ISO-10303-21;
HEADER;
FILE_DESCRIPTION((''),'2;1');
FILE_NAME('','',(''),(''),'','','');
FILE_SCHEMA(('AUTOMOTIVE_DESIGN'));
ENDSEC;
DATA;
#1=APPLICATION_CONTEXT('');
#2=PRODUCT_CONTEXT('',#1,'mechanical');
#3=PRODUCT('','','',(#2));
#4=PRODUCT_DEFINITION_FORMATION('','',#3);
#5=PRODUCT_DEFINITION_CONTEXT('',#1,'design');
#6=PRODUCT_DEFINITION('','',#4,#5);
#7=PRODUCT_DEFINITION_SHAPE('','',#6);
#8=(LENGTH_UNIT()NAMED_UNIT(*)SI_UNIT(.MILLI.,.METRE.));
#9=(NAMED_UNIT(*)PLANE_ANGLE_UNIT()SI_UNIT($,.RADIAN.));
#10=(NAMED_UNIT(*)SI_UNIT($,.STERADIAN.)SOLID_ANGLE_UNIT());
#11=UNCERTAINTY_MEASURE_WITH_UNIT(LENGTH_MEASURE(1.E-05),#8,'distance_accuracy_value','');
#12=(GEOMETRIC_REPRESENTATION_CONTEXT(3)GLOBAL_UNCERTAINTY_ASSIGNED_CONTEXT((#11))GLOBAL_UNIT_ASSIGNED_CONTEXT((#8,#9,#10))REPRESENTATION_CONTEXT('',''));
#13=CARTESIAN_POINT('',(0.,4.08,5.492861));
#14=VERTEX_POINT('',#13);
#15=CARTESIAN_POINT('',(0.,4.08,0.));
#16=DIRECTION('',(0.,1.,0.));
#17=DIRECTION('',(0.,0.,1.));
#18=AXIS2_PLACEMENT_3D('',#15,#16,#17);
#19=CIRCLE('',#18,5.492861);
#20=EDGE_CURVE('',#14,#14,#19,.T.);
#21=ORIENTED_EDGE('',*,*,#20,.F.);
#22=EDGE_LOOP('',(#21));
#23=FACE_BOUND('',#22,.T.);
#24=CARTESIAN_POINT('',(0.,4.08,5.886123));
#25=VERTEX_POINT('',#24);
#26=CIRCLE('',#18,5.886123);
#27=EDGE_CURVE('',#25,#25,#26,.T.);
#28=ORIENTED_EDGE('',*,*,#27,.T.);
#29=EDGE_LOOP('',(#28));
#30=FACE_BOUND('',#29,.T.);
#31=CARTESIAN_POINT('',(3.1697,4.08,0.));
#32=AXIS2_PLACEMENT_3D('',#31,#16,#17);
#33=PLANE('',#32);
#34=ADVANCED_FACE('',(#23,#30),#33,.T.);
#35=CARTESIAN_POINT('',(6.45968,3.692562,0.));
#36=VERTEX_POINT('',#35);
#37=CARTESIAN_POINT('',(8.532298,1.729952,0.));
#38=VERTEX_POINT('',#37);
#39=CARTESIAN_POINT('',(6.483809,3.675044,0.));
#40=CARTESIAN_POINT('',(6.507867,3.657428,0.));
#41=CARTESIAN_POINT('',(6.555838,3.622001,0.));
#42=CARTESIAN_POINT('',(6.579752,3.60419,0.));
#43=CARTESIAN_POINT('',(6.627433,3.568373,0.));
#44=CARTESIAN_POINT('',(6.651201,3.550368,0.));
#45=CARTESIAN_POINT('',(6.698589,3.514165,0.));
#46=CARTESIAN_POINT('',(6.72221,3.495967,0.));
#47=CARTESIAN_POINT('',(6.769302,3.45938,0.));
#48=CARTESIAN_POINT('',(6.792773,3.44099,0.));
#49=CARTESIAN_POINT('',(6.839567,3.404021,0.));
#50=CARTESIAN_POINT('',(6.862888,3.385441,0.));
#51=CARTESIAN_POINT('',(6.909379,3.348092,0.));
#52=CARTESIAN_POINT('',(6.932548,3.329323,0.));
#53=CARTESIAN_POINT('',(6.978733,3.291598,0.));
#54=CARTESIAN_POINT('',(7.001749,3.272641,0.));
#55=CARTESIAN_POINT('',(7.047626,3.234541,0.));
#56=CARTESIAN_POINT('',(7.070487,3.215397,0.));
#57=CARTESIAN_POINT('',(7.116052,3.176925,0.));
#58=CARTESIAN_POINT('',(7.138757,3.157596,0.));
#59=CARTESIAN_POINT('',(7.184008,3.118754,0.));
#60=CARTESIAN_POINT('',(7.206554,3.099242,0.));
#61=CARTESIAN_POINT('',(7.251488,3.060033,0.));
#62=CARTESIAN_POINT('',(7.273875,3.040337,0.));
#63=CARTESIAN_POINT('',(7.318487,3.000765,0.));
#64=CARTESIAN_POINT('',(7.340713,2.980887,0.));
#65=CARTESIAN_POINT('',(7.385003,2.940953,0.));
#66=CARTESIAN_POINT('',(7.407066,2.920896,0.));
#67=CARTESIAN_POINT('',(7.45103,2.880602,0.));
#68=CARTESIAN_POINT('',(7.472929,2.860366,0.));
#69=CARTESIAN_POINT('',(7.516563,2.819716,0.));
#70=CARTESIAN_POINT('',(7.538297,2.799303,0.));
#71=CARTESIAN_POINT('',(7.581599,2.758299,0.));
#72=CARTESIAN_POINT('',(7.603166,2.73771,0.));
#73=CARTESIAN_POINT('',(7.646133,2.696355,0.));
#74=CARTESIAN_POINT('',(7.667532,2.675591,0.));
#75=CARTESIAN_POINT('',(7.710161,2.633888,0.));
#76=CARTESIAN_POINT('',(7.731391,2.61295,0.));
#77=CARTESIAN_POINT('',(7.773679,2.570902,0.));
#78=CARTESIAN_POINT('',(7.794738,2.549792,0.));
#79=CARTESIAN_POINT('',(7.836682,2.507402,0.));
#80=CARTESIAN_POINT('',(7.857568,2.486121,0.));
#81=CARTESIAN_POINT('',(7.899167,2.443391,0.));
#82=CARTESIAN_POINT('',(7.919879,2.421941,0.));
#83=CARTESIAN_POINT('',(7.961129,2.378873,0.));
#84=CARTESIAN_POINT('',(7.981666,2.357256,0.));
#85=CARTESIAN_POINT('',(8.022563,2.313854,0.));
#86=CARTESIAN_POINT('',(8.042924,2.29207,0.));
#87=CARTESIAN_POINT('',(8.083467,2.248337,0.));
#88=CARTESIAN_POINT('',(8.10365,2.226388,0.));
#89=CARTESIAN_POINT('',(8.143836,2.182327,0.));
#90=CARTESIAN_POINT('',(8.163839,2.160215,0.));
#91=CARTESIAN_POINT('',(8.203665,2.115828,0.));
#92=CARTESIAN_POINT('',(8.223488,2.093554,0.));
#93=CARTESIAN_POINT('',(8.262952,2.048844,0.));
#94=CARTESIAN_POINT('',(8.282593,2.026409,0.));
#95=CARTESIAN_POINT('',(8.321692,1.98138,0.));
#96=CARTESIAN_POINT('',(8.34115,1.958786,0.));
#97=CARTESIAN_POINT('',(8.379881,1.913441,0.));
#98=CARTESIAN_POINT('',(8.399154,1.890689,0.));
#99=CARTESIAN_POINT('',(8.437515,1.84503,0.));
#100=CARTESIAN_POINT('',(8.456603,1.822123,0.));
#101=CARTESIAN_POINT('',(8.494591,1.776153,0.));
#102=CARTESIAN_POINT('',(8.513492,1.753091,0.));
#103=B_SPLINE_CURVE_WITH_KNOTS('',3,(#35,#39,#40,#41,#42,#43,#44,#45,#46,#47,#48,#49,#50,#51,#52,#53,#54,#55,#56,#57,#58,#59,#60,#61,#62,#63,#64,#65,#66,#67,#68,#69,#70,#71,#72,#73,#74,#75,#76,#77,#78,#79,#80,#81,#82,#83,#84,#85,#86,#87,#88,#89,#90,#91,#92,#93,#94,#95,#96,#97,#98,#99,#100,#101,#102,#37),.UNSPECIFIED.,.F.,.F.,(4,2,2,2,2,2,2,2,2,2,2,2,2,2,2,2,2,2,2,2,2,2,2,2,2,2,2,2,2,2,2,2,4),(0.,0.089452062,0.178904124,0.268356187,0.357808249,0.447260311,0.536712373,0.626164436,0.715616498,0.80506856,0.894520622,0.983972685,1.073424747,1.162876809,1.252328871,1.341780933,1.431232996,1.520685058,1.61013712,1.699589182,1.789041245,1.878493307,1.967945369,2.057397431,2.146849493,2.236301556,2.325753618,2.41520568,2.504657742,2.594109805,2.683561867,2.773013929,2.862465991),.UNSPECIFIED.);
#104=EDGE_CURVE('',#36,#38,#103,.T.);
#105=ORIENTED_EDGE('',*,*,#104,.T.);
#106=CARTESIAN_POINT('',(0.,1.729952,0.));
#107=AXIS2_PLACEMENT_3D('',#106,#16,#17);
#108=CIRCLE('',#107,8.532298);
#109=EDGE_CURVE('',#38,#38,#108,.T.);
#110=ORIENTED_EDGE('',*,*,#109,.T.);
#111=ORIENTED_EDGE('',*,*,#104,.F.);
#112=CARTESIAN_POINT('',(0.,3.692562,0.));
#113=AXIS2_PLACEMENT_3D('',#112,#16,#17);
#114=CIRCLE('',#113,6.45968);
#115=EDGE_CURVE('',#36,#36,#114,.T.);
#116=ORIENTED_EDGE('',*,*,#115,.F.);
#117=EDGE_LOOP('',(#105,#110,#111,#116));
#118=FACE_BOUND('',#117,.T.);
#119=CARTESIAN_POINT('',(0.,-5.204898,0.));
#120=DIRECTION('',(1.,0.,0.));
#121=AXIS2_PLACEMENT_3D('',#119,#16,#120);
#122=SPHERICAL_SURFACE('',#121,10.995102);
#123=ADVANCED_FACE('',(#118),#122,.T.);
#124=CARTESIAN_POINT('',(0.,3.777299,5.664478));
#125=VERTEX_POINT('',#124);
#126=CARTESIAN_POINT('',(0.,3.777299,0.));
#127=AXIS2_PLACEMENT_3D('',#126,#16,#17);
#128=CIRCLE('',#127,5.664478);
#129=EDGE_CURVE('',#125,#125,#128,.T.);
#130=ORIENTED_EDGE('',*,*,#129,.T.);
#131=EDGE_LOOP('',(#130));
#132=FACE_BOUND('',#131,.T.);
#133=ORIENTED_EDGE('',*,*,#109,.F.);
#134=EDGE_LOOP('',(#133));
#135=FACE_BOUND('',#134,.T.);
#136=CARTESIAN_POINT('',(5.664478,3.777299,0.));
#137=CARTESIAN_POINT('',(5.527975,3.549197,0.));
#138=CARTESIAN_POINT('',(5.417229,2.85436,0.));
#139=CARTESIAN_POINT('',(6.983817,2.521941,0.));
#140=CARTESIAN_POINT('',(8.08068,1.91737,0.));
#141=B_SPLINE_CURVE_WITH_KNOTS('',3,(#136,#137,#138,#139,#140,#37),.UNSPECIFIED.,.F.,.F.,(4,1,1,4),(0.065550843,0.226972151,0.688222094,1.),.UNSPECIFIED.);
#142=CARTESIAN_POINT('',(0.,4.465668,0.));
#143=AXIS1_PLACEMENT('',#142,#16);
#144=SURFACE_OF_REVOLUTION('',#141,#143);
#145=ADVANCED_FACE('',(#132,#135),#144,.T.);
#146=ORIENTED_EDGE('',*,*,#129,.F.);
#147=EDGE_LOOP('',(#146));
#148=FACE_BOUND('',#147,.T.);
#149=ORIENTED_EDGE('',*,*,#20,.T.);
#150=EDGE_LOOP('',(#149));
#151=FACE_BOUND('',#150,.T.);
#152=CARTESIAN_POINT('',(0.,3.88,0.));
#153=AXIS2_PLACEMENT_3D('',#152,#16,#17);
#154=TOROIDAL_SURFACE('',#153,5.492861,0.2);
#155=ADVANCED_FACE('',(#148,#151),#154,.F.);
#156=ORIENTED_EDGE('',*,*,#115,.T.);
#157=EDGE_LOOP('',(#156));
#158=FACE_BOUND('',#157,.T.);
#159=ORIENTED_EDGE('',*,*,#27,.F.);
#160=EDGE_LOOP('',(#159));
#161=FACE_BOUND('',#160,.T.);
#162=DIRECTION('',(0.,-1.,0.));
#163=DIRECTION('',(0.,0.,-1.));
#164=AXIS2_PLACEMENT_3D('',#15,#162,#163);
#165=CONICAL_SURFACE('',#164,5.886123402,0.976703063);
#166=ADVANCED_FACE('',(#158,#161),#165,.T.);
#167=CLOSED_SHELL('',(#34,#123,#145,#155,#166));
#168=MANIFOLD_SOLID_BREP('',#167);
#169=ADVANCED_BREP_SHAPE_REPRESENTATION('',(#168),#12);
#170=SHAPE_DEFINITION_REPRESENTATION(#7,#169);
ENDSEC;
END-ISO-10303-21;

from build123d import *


with BuildPart() as part:
    # Sketch6 (on Front Plane) → iris (revolve)
    with BuildSketch(Plane.XY):
        with BuildLine():
            Line((5.492861113, 4.08), (5.886123402, 4.08))
            Line((5.886123402, 4.08), (6.45968041, 3.692562089))
            ThreePointArc((6.45968041, 3.692562089), (7.559948173, 2.778801061), (8.532298411, 1.729952463))
            add(Edge.make_bspline(
                [(5.66447834, 3.777298844), (5.52797511, 3.549197167), (5.417228742, 2.854359981), (6.983816782, 2.521940583), (8.08067984, 1.917370456), (8.532298411, 1.729952463)],
                knots=[0.065550843, 0.065550843, 0.065550843, 0.065550843, 0.226972151, 0.688222094, 1, 1, 1, 1], degree=3))
            ThreePointArc((5.66447834, 3.777298844), (5.666844203, 3.978640177), (5.492861113, 4.08))
        make_face()
    revolve(axis=Axis((0, 4.465667959, 0), (0, -1, 0)))

    # Sketch6 (on Front Plane) → ciliary body (revolve)
    with BuildSketch(Plane.XY, mode=Mode.PRIVATE) as ciliary_body_sk:
        with BuildLine():
            Line((5.492861113, 4.08), (5.886123402, 4.08))
            Line((5.886123402, 4.08), (6.45968041, 3.692562089))
            ThreePointArc((6.45968041, 3.692562089), (7.559948173, 2.778801061), (8.532298411, 1.729952463))
            add(Edge.make_bspline(
                [(5.66447834, 3.777298844), (5.52797511, 3.549197167), (5.417228742, 2.854359981), (6.983816782, 2.521940583), (8.08067984, 1.917370456), (8.532298411, 1.729952463)],
                knots=[0.065550843, 0.065550843, 0.065550843, 0.065550843, 0.226972151, 0.688222094, 1, 1, 1, 1], degree=3))
            ThreePointArc((5.66447834, 3.777298844), (5.666844203, 3.978640177), (5.492861113, 4.08))
        make_face()
    revolve(ciliary_body_sk.sketch.rotate(Axis((0, 4.465667959, 0), (0, -1, 0)), 90), axis=Axis((0, 4.465667959, 0), (0, -1, 0)))


solid = part.part
